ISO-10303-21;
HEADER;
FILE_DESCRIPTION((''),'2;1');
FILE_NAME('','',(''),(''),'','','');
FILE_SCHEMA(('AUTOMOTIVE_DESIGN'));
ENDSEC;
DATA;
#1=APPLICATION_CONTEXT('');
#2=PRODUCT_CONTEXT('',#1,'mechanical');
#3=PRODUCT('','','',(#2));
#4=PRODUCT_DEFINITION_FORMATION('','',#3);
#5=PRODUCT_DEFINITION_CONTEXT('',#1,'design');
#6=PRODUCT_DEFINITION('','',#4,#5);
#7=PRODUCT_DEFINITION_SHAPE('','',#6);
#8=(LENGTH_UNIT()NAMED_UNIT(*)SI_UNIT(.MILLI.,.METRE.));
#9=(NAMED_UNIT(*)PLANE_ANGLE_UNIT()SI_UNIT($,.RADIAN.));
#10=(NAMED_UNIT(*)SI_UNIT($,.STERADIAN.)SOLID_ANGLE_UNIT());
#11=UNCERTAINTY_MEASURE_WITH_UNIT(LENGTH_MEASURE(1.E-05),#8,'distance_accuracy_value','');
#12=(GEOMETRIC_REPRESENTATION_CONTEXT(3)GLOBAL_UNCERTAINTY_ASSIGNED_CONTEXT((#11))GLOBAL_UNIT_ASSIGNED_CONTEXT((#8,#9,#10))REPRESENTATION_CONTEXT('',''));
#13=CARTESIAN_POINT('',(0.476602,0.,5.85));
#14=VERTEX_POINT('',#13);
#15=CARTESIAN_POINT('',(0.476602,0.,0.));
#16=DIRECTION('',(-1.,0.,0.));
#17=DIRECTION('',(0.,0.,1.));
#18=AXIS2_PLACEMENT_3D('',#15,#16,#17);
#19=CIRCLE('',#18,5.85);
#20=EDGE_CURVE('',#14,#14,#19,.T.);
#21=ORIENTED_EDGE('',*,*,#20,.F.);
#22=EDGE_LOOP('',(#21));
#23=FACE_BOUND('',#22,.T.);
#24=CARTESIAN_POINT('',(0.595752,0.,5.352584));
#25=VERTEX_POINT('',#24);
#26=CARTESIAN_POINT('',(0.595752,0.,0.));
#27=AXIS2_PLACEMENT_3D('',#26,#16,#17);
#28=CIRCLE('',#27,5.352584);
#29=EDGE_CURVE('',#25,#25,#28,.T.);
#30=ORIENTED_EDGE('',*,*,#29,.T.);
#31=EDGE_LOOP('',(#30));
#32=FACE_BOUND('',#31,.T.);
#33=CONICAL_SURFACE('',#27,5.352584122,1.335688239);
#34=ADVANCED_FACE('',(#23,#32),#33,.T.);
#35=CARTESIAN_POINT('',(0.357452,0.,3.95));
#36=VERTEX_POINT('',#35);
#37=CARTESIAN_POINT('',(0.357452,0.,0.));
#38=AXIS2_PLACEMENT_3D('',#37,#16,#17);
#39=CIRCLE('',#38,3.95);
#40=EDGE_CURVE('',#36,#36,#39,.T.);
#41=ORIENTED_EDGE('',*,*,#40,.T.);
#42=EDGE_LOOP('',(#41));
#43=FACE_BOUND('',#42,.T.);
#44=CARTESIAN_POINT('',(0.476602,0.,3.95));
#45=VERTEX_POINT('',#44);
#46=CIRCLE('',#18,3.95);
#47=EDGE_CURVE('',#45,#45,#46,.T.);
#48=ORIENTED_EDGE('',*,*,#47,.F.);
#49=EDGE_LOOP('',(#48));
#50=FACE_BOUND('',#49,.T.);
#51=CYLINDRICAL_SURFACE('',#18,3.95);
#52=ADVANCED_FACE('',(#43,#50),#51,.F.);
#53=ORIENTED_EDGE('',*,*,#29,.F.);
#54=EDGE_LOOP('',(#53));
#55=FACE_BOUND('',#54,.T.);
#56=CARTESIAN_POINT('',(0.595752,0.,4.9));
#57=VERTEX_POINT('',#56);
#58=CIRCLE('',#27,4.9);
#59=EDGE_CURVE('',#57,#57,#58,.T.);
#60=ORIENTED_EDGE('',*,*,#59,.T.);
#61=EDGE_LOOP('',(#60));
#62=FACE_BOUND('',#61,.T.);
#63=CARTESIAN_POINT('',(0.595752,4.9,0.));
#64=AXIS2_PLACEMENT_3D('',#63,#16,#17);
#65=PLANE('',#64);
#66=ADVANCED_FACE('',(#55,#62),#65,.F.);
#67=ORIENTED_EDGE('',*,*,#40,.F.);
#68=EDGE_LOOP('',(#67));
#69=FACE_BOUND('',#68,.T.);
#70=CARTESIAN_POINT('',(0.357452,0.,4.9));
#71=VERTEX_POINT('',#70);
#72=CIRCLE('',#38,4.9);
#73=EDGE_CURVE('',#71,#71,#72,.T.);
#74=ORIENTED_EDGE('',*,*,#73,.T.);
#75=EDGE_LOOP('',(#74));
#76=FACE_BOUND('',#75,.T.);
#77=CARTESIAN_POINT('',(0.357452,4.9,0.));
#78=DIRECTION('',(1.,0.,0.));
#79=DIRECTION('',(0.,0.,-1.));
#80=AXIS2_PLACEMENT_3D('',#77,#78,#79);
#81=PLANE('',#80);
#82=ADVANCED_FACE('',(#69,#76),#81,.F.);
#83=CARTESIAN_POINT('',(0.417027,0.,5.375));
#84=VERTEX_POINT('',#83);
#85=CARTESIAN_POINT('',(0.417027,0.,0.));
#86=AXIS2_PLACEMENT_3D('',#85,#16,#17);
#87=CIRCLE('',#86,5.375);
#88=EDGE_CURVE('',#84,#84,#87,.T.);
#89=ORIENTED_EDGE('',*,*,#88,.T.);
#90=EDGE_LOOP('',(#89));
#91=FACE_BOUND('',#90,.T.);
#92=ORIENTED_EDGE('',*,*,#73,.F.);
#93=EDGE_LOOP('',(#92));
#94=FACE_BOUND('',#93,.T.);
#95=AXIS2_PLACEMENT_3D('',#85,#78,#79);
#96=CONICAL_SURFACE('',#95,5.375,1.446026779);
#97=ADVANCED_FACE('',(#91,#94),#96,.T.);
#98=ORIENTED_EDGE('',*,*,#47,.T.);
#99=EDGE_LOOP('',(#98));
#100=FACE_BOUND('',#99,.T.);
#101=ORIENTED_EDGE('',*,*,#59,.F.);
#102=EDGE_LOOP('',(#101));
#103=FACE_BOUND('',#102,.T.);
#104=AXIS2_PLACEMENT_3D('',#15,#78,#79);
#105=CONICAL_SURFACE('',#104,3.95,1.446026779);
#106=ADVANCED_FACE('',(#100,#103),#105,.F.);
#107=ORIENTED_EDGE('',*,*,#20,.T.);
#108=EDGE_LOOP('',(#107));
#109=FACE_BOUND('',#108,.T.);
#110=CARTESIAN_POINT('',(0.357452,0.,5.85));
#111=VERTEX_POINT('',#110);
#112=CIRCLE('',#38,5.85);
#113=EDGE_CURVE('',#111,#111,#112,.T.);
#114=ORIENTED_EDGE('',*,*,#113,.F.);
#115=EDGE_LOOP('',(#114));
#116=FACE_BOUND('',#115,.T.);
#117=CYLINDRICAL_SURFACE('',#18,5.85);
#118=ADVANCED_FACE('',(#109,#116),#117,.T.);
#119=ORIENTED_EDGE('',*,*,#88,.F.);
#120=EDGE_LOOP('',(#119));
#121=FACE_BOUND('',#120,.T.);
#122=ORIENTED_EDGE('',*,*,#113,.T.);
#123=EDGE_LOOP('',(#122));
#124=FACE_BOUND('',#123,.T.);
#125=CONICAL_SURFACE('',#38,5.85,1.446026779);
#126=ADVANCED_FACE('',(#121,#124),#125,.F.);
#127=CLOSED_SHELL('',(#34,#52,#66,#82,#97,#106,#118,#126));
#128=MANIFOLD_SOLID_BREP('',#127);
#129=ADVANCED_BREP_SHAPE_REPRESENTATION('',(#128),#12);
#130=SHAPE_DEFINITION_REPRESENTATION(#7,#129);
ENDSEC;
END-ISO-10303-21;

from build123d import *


with BuildPart() as part:
    # Sketch1 → Revolve1 (revolve)
    with BuildSketch(Plane.XY):
        Polygon((0.357452, 5.85), (0.417027, 5.375), (0.357452, 4.9), (0.357452, 3.95), (0.476602, 3.95), (0.595752, 4.9), (0.595752, 5.352584122), (0.476602, 5.85), align=None)
    revolve(axis=Axis((0.476602, 0, 0), (-1, 0, 0)))


solid = part.part
